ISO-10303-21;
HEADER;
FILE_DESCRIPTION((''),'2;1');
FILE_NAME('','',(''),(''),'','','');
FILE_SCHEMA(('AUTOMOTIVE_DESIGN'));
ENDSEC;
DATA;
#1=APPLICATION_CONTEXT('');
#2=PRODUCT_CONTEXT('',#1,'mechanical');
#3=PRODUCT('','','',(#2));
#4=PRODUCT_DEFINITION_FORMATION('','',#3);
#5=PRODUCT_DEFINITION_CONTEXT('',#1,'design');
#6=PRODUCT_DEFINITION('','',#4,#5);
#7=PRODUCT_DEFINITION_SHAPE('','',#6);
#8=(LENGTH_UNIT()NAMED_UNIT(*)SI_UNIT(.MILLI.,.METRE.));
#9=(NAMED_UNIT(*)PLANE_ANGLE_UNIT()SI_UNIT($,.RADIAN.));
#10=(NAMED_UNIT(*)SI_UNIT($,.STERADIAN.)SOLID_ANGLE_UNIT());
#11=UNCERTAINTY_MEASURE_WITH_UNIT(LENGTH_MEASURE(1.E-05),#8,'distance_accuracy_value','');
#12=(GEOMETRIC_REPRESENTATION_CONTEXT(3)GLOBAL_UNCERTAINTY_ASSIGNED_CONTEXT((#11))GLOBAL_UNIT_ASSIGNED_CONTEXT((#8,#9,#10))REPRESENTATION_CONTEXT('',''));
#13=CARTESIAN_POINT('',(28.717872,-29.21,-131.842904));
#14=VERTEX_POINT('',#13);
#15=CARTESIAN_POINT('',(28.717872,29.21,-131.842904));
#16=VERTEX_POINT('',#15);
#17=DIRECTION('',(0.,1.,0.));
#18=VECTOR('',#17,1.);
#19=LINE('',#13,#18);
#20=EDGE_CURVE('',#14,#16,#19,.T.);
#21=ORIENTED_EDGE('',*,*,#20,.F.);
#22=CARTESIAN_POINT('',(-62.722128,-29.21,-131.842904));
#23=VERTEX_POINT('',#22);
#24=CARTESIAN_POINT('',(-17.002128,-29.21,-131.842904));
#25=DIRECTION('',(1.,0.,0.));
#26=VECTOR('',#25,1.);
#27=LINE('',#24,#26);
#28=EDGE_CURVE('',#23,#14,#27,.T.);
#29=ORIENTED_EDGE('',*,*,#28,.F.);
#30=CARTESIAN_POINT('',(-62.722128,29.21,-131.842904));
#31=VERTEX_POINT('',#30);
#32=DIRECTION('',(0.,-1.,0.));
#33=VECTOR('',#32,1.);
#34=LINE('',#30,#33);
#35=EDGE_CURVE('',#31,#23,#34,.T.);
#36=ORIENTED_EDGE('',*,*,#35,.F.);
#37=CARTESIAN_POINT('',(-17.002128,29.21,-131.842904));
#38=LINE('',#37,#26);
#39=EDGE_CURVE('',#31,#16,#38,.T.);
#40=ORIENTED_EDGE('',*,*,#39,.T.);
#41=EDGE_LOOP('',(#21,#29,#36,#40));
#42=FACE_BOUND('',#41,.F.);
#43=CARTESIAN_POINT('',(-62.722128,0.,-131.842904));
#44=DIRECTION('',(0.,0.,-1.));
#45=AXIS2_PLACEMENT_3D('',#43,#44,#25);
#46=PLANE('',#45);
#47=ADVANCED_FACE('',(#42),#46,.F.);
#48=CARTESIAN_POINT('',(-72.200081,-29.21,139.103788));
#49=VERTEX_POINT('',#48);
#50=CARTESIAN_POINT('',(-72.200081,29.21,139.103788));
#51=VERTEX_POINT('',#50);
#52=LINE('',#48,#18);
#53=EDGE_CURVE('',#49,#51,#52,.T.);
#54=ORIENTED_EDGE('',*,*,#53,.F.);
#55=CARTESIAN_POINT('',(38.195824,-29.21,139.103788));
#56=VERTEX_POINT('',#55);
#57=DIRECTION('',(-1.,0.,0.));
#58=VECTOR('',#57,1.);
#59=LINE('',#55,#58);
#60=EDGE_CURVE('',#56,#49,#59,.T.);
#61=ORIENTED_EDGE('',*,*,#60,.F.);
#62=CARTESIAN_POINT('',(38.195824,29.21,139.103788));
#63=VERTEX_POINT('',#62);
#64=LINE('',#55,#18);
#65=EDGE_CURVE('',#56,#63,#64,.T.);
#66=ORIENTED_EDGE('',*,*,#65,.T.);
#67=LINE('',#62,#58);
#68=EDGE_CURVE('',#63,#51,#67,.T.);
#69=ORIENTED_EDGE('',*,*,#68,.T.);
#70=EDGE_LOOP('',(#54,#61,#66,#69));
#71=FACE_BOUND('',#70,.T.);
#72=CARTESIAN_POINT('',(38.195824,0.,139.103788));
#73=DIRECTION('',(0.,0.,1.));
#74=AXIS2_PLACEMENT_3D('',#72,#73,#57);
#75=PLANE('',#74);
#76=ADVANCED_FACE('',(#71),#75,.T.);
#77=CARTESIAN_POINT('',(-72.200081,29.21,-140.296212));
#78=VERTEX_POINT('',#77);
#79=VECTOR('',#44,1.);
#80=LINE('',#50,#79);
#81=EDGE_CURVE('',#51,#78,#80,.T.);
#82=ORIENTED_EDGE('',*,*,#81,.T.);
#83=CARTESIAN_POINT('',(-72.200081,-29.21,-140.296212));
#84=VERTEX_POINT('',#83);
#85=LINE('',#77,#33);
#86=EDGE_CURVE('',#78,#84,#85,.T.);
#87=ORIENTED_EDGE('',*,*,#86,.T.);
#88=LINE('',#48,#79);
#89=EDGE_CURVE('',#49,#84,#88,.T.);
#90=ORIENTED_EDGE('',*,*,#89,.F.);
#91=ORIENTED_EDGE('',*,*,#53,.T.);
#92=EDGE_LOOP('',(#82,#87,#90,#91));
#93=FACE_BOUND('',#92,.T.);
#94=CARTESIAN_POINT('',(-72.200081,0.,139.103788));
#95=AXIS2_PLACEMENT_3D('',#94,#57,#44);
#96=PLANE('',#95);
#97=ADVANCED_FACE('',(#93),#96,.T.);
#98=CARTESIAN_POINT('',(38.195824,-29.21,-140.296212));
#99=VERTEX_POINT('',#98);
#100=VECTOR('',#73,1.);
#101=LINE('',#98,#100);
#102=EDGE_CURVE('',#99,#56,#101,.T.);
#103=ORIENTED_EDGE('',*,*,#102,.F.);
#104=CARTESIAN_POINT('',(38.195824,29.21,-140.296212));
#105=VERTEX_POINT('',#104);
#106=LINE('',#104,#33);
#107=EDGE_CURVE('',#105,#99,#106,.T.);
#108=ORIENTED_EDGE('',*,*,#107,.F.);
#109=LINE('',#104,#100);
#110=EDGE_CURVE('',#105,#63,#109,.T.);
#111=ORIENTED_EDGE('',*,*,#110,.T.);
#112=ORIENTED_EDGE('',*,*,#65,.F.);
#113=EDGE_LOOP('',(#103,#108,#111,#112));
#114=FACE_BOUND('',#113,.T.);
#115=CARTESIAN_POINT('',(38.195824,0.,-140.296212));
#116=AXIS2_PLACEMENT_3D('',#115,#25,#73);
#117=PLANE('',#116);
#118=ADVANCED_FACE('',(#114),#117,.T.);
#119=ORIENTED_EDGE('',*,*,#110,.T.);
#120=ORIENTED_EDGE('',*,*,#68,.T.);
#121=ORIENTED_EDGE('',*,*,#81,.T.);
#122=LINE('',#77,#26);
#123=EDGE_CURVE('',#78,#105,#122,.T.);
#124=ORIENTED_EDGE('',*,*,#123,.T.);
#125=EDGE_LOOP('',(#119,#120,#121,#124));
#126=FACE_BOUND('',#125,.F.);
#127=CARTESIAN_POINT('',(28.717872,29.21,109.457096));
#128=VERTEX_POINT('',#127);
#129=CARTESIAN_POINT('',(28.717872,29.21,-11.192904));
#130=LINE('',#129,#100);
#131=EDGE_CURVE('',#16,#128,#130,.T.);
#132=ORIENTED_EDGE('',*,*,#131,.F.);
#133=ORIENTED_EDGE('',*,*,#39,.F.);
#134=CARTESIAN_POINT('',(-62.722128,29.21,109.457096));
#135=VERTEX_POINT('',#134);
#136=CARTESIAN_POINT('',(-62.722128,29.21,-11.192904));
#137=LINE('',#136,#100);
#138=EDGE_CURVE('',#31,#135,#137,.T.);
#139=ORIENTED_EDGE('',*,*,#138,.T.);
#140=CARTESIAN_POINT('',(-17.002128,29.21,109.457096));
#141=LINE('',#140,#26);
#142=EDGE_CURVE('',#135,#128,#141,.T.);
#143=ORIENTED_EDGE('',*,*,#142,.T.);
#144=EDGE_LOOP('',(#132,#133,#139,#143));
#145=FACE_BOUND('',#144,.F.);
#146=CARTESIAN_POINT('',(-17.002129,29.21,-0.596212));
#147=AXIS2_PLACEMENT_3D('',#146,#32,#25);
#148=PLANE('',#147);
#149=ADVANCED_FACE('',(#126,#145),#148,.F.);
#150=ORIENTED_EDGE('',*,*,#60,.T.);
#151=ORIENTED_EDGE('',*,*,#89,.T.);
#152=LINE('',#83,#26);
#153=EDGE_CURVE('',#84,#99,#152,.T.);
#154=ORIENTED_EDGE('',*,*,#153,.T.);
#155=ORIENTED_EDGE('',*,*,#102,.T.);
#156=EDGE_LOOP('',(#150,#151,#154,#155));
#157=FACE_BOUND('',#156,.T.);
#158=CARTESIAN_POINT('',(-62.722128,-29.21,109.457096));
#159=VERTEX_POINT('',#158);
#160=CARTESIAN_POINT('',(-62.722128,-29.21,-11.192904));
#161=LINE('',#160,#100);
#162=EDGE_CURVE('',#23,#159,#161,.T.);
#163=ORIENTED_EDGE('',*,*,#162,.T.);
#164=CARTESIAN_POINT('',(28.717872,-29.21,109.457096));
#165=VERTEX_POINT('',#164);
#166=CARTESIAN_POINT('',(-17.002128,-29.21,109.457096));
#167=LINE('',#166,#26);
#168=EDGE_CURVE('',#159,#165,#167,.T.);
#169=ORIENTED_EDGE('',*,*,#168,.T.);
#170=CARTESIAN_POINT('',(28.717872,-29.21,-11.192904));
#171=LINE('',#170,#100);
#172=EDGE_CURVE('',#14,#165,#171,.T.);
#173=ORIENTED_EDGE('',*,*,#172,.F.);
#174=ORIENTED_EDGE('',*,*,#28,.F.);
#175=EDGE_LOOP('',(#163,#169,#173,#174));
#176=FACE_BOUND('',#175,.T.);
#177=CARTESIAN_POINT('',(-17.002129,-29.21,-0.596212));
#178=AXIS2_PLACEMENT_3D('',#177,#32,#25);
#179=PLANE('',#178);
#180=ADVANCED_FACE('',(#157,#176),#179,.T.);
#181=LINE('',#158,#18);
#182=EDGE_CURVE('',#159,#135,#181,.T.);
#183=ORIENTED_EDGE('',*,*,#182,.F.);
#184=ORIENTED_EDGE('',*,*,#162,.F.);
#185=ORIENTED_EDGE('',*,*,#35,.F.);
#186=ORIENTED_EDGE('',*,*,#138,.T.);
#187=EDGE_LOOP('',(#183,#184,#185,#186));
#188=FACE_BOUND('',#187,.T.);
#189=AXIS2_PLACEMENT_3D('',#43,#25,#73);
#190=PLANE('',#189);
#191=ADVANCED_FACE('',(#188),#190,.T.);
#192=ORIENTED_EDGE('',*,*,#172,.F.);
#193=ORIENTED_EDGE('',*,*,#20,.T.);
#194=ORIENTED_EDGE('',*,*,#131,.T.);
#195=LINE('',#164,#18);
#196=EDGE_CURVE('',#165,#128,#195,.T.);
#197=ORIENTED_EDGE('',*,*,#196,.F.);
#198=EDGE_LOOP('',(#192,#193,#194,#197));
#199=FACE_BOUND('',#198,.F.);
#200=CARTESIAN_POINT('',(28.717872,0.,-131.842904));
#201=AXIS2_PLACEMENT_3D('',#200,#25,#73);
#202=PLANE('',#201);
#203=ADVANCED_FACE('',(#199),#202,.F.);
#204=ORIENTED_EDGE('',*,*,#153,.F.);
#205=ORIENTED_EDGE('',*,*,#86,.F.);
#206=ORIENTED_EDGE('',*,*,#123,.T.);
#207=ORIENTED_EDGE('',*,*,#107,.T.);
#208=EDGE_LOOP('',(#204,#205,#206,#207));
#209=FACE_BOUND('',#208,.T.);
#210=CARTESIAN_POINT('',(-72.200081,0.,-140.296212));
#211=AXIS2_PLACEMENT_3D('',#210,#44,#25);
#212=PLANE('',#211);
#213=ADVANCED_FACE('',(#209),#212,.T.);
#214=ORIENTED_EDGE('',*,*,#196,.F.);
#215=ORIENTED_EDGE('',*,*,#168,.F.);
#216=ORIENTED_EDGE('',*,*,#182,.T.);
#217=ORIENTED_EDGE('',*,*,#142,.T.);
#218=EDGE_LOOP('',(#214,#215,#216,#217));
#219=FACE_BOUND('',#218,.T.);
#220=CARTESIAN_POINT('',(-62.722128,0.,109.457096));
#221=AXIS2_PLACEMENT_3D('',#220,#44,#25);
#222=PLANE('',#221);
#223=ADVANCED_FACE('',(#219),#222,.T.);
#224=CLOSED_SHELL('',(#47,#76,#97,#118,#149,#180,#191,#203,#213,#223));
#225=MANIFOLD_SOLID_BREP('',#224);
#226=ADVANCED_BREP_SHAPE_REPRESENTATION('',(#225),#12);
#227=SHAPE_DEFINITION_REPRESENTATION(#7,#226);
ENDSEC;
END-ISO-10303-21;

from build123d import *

# Parameters (mm, degrees)
F0_W     = 91.44
F0_H     = 241.3
F1_DEPTH = 29.21


with BuildPart() as f1:
    # F0 (on Front) → F1 (new body, symmetric)
    with BuildSketch(Plane.XZ):
        Polygon((-72.200081, 139.103788), (-72.200081, -140.296212), (38.195824, -140.296212), (38.195824, 109.457096), (38.195824, 139.103788), align=None)
        with Locations((-17.002128, -11.192904)):
            Rectangle(F0_W, F0_H, mode=Mode.SUBTRACT)
    extrude(amount=F1_DEPTH, both=True)


solid = f1.part
